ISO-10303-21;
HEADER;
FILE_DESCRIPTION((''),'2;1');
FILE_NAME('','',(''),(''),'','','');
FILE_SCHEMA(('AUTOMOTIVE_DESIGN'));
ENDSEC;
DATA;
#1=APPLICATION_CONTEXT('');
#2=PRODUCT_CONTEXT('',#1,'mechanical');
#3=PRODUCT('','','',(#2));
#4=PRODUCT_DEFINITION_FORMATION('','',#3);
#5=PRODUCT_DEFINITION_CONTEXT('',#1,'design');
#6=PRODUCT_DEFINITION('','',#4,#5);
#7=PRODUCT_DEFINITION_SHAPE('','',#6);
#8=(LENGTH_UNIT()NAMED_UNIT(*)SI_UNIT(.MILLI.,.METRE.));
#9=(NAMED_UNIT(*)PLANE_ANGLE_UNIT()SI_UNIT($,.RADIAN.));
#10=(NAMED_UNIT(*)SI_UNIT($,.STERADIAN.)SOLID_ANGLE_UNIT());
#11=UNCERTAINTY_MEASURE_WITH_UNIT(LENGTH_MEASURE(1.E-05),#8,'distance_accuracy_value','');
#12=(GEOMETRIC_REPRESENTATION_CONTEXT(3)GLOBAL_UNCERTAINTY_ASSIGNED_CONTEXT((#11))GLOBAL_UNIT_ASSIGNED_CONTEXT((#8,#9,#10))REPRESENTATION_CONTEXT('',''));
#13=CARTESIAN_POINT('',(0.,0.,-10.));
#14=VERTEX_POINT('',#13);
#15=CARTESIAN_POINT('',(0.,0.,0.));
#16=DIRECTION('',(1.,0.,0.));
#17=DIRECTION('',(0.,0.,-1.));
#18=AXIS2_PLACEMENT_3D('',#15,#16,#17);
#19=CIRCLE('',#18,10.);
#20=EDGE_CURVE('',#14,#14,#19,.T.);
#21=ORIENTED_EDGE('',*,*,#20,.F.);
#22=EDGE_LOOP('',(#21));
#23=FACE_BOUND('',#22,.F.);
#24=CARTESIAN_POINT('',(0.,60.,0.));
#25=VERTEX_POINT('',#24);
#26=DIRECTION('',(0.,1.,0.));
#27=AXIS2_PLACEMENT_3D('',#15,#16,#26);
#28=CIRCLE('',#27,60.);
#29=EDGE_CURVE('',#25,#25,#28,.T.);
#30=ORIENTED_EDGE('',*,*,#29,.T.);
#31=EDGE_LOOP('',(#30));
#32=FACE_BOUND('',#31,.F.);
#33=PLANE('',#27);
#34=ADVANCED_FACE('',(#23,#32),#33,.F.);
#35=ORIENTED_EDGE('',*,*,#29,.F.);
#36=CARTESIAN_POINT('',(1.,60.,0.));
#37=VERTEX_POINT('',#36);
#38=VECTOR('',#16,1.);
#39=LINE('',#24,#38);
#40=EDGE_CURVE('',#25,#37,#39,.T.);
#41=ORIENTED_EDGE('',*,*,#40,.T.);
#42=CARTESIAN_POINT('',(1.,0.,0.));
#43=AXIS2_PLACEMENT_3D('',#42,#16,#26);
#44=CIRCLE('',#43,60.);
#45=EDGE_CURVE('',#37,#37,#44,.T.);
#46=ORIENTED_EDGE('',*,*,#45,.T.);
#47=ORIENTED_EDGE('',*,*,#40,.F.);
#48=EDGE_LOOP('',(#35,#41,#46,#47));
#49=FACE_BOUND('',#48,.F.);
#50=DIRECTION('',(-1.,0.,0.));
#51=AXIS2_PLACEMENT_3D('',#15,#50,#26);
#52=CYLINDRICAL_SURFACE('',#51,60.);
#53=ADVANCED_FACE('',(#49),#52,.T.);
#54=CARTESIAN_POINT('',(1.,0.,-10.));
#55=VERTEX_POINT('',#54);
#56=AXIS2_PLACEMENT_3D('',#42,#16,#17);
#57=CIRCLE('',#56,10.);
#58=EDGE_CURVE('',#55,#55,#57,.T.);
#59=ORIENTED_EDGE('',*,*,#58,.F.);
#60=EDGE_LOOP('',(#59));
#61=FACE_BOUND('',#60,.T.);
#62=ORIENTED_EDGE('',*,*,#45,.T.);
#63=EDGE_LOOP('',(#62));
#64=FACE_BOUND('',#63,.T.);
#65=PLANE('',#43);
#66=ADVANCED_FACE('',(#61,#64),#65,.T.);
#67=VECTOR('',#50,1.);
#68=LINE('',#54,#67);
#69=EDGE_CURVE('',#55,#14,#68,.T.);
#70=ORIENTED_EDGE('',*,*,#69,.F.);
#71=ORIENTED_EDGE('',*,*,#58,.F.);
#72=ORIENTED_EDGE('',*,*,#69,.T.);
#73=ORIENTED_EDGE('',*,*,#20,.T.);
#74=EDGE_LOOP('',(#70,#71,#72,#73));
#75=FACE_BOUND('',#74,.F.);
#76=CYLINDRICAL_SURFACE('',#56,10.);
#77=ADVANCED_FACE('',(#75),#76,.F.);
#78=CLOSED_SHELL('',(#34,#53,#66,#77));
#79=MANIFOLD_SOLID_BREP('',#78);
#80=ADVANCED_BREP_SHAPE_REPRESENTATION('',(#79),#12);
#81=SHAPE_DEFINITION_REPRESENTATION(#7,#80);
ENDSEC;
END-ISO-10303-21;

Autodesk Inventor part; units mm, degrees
ref_plane "YZ Plane" through (0, 0, 0) normal (1, 0, 0) x (0, 1, 0)
ref_plane "XZ Plane" through (0, 0, 0) normal (0, 1, 0) x (-1, 0, 0)
ref_plane "XY Plane" through (0, 0, 0) normal (0, 0, 1) x (1, 0, 0)
sketch "Boceto1" plane through (0, 0, 0) normal (1, 0, 0) x (0, 1, 0)
  circle A0 centre (0, 0) radius 60
  dimension "d0" = 120
extrude "Extrusión1" add sketch "Boceto1" along normal blind 1
sketch "Boceto2" plane through (1, 0, 0) normal (1, 0, 0) x (0, 0, -1)
  circle A0 centre (0, 0) radius 10
  dimension "d4" = 20
extrude "Extrusión2" cut sketch "Boceto2" against normal blind 1
properties part number "sierra corte"
